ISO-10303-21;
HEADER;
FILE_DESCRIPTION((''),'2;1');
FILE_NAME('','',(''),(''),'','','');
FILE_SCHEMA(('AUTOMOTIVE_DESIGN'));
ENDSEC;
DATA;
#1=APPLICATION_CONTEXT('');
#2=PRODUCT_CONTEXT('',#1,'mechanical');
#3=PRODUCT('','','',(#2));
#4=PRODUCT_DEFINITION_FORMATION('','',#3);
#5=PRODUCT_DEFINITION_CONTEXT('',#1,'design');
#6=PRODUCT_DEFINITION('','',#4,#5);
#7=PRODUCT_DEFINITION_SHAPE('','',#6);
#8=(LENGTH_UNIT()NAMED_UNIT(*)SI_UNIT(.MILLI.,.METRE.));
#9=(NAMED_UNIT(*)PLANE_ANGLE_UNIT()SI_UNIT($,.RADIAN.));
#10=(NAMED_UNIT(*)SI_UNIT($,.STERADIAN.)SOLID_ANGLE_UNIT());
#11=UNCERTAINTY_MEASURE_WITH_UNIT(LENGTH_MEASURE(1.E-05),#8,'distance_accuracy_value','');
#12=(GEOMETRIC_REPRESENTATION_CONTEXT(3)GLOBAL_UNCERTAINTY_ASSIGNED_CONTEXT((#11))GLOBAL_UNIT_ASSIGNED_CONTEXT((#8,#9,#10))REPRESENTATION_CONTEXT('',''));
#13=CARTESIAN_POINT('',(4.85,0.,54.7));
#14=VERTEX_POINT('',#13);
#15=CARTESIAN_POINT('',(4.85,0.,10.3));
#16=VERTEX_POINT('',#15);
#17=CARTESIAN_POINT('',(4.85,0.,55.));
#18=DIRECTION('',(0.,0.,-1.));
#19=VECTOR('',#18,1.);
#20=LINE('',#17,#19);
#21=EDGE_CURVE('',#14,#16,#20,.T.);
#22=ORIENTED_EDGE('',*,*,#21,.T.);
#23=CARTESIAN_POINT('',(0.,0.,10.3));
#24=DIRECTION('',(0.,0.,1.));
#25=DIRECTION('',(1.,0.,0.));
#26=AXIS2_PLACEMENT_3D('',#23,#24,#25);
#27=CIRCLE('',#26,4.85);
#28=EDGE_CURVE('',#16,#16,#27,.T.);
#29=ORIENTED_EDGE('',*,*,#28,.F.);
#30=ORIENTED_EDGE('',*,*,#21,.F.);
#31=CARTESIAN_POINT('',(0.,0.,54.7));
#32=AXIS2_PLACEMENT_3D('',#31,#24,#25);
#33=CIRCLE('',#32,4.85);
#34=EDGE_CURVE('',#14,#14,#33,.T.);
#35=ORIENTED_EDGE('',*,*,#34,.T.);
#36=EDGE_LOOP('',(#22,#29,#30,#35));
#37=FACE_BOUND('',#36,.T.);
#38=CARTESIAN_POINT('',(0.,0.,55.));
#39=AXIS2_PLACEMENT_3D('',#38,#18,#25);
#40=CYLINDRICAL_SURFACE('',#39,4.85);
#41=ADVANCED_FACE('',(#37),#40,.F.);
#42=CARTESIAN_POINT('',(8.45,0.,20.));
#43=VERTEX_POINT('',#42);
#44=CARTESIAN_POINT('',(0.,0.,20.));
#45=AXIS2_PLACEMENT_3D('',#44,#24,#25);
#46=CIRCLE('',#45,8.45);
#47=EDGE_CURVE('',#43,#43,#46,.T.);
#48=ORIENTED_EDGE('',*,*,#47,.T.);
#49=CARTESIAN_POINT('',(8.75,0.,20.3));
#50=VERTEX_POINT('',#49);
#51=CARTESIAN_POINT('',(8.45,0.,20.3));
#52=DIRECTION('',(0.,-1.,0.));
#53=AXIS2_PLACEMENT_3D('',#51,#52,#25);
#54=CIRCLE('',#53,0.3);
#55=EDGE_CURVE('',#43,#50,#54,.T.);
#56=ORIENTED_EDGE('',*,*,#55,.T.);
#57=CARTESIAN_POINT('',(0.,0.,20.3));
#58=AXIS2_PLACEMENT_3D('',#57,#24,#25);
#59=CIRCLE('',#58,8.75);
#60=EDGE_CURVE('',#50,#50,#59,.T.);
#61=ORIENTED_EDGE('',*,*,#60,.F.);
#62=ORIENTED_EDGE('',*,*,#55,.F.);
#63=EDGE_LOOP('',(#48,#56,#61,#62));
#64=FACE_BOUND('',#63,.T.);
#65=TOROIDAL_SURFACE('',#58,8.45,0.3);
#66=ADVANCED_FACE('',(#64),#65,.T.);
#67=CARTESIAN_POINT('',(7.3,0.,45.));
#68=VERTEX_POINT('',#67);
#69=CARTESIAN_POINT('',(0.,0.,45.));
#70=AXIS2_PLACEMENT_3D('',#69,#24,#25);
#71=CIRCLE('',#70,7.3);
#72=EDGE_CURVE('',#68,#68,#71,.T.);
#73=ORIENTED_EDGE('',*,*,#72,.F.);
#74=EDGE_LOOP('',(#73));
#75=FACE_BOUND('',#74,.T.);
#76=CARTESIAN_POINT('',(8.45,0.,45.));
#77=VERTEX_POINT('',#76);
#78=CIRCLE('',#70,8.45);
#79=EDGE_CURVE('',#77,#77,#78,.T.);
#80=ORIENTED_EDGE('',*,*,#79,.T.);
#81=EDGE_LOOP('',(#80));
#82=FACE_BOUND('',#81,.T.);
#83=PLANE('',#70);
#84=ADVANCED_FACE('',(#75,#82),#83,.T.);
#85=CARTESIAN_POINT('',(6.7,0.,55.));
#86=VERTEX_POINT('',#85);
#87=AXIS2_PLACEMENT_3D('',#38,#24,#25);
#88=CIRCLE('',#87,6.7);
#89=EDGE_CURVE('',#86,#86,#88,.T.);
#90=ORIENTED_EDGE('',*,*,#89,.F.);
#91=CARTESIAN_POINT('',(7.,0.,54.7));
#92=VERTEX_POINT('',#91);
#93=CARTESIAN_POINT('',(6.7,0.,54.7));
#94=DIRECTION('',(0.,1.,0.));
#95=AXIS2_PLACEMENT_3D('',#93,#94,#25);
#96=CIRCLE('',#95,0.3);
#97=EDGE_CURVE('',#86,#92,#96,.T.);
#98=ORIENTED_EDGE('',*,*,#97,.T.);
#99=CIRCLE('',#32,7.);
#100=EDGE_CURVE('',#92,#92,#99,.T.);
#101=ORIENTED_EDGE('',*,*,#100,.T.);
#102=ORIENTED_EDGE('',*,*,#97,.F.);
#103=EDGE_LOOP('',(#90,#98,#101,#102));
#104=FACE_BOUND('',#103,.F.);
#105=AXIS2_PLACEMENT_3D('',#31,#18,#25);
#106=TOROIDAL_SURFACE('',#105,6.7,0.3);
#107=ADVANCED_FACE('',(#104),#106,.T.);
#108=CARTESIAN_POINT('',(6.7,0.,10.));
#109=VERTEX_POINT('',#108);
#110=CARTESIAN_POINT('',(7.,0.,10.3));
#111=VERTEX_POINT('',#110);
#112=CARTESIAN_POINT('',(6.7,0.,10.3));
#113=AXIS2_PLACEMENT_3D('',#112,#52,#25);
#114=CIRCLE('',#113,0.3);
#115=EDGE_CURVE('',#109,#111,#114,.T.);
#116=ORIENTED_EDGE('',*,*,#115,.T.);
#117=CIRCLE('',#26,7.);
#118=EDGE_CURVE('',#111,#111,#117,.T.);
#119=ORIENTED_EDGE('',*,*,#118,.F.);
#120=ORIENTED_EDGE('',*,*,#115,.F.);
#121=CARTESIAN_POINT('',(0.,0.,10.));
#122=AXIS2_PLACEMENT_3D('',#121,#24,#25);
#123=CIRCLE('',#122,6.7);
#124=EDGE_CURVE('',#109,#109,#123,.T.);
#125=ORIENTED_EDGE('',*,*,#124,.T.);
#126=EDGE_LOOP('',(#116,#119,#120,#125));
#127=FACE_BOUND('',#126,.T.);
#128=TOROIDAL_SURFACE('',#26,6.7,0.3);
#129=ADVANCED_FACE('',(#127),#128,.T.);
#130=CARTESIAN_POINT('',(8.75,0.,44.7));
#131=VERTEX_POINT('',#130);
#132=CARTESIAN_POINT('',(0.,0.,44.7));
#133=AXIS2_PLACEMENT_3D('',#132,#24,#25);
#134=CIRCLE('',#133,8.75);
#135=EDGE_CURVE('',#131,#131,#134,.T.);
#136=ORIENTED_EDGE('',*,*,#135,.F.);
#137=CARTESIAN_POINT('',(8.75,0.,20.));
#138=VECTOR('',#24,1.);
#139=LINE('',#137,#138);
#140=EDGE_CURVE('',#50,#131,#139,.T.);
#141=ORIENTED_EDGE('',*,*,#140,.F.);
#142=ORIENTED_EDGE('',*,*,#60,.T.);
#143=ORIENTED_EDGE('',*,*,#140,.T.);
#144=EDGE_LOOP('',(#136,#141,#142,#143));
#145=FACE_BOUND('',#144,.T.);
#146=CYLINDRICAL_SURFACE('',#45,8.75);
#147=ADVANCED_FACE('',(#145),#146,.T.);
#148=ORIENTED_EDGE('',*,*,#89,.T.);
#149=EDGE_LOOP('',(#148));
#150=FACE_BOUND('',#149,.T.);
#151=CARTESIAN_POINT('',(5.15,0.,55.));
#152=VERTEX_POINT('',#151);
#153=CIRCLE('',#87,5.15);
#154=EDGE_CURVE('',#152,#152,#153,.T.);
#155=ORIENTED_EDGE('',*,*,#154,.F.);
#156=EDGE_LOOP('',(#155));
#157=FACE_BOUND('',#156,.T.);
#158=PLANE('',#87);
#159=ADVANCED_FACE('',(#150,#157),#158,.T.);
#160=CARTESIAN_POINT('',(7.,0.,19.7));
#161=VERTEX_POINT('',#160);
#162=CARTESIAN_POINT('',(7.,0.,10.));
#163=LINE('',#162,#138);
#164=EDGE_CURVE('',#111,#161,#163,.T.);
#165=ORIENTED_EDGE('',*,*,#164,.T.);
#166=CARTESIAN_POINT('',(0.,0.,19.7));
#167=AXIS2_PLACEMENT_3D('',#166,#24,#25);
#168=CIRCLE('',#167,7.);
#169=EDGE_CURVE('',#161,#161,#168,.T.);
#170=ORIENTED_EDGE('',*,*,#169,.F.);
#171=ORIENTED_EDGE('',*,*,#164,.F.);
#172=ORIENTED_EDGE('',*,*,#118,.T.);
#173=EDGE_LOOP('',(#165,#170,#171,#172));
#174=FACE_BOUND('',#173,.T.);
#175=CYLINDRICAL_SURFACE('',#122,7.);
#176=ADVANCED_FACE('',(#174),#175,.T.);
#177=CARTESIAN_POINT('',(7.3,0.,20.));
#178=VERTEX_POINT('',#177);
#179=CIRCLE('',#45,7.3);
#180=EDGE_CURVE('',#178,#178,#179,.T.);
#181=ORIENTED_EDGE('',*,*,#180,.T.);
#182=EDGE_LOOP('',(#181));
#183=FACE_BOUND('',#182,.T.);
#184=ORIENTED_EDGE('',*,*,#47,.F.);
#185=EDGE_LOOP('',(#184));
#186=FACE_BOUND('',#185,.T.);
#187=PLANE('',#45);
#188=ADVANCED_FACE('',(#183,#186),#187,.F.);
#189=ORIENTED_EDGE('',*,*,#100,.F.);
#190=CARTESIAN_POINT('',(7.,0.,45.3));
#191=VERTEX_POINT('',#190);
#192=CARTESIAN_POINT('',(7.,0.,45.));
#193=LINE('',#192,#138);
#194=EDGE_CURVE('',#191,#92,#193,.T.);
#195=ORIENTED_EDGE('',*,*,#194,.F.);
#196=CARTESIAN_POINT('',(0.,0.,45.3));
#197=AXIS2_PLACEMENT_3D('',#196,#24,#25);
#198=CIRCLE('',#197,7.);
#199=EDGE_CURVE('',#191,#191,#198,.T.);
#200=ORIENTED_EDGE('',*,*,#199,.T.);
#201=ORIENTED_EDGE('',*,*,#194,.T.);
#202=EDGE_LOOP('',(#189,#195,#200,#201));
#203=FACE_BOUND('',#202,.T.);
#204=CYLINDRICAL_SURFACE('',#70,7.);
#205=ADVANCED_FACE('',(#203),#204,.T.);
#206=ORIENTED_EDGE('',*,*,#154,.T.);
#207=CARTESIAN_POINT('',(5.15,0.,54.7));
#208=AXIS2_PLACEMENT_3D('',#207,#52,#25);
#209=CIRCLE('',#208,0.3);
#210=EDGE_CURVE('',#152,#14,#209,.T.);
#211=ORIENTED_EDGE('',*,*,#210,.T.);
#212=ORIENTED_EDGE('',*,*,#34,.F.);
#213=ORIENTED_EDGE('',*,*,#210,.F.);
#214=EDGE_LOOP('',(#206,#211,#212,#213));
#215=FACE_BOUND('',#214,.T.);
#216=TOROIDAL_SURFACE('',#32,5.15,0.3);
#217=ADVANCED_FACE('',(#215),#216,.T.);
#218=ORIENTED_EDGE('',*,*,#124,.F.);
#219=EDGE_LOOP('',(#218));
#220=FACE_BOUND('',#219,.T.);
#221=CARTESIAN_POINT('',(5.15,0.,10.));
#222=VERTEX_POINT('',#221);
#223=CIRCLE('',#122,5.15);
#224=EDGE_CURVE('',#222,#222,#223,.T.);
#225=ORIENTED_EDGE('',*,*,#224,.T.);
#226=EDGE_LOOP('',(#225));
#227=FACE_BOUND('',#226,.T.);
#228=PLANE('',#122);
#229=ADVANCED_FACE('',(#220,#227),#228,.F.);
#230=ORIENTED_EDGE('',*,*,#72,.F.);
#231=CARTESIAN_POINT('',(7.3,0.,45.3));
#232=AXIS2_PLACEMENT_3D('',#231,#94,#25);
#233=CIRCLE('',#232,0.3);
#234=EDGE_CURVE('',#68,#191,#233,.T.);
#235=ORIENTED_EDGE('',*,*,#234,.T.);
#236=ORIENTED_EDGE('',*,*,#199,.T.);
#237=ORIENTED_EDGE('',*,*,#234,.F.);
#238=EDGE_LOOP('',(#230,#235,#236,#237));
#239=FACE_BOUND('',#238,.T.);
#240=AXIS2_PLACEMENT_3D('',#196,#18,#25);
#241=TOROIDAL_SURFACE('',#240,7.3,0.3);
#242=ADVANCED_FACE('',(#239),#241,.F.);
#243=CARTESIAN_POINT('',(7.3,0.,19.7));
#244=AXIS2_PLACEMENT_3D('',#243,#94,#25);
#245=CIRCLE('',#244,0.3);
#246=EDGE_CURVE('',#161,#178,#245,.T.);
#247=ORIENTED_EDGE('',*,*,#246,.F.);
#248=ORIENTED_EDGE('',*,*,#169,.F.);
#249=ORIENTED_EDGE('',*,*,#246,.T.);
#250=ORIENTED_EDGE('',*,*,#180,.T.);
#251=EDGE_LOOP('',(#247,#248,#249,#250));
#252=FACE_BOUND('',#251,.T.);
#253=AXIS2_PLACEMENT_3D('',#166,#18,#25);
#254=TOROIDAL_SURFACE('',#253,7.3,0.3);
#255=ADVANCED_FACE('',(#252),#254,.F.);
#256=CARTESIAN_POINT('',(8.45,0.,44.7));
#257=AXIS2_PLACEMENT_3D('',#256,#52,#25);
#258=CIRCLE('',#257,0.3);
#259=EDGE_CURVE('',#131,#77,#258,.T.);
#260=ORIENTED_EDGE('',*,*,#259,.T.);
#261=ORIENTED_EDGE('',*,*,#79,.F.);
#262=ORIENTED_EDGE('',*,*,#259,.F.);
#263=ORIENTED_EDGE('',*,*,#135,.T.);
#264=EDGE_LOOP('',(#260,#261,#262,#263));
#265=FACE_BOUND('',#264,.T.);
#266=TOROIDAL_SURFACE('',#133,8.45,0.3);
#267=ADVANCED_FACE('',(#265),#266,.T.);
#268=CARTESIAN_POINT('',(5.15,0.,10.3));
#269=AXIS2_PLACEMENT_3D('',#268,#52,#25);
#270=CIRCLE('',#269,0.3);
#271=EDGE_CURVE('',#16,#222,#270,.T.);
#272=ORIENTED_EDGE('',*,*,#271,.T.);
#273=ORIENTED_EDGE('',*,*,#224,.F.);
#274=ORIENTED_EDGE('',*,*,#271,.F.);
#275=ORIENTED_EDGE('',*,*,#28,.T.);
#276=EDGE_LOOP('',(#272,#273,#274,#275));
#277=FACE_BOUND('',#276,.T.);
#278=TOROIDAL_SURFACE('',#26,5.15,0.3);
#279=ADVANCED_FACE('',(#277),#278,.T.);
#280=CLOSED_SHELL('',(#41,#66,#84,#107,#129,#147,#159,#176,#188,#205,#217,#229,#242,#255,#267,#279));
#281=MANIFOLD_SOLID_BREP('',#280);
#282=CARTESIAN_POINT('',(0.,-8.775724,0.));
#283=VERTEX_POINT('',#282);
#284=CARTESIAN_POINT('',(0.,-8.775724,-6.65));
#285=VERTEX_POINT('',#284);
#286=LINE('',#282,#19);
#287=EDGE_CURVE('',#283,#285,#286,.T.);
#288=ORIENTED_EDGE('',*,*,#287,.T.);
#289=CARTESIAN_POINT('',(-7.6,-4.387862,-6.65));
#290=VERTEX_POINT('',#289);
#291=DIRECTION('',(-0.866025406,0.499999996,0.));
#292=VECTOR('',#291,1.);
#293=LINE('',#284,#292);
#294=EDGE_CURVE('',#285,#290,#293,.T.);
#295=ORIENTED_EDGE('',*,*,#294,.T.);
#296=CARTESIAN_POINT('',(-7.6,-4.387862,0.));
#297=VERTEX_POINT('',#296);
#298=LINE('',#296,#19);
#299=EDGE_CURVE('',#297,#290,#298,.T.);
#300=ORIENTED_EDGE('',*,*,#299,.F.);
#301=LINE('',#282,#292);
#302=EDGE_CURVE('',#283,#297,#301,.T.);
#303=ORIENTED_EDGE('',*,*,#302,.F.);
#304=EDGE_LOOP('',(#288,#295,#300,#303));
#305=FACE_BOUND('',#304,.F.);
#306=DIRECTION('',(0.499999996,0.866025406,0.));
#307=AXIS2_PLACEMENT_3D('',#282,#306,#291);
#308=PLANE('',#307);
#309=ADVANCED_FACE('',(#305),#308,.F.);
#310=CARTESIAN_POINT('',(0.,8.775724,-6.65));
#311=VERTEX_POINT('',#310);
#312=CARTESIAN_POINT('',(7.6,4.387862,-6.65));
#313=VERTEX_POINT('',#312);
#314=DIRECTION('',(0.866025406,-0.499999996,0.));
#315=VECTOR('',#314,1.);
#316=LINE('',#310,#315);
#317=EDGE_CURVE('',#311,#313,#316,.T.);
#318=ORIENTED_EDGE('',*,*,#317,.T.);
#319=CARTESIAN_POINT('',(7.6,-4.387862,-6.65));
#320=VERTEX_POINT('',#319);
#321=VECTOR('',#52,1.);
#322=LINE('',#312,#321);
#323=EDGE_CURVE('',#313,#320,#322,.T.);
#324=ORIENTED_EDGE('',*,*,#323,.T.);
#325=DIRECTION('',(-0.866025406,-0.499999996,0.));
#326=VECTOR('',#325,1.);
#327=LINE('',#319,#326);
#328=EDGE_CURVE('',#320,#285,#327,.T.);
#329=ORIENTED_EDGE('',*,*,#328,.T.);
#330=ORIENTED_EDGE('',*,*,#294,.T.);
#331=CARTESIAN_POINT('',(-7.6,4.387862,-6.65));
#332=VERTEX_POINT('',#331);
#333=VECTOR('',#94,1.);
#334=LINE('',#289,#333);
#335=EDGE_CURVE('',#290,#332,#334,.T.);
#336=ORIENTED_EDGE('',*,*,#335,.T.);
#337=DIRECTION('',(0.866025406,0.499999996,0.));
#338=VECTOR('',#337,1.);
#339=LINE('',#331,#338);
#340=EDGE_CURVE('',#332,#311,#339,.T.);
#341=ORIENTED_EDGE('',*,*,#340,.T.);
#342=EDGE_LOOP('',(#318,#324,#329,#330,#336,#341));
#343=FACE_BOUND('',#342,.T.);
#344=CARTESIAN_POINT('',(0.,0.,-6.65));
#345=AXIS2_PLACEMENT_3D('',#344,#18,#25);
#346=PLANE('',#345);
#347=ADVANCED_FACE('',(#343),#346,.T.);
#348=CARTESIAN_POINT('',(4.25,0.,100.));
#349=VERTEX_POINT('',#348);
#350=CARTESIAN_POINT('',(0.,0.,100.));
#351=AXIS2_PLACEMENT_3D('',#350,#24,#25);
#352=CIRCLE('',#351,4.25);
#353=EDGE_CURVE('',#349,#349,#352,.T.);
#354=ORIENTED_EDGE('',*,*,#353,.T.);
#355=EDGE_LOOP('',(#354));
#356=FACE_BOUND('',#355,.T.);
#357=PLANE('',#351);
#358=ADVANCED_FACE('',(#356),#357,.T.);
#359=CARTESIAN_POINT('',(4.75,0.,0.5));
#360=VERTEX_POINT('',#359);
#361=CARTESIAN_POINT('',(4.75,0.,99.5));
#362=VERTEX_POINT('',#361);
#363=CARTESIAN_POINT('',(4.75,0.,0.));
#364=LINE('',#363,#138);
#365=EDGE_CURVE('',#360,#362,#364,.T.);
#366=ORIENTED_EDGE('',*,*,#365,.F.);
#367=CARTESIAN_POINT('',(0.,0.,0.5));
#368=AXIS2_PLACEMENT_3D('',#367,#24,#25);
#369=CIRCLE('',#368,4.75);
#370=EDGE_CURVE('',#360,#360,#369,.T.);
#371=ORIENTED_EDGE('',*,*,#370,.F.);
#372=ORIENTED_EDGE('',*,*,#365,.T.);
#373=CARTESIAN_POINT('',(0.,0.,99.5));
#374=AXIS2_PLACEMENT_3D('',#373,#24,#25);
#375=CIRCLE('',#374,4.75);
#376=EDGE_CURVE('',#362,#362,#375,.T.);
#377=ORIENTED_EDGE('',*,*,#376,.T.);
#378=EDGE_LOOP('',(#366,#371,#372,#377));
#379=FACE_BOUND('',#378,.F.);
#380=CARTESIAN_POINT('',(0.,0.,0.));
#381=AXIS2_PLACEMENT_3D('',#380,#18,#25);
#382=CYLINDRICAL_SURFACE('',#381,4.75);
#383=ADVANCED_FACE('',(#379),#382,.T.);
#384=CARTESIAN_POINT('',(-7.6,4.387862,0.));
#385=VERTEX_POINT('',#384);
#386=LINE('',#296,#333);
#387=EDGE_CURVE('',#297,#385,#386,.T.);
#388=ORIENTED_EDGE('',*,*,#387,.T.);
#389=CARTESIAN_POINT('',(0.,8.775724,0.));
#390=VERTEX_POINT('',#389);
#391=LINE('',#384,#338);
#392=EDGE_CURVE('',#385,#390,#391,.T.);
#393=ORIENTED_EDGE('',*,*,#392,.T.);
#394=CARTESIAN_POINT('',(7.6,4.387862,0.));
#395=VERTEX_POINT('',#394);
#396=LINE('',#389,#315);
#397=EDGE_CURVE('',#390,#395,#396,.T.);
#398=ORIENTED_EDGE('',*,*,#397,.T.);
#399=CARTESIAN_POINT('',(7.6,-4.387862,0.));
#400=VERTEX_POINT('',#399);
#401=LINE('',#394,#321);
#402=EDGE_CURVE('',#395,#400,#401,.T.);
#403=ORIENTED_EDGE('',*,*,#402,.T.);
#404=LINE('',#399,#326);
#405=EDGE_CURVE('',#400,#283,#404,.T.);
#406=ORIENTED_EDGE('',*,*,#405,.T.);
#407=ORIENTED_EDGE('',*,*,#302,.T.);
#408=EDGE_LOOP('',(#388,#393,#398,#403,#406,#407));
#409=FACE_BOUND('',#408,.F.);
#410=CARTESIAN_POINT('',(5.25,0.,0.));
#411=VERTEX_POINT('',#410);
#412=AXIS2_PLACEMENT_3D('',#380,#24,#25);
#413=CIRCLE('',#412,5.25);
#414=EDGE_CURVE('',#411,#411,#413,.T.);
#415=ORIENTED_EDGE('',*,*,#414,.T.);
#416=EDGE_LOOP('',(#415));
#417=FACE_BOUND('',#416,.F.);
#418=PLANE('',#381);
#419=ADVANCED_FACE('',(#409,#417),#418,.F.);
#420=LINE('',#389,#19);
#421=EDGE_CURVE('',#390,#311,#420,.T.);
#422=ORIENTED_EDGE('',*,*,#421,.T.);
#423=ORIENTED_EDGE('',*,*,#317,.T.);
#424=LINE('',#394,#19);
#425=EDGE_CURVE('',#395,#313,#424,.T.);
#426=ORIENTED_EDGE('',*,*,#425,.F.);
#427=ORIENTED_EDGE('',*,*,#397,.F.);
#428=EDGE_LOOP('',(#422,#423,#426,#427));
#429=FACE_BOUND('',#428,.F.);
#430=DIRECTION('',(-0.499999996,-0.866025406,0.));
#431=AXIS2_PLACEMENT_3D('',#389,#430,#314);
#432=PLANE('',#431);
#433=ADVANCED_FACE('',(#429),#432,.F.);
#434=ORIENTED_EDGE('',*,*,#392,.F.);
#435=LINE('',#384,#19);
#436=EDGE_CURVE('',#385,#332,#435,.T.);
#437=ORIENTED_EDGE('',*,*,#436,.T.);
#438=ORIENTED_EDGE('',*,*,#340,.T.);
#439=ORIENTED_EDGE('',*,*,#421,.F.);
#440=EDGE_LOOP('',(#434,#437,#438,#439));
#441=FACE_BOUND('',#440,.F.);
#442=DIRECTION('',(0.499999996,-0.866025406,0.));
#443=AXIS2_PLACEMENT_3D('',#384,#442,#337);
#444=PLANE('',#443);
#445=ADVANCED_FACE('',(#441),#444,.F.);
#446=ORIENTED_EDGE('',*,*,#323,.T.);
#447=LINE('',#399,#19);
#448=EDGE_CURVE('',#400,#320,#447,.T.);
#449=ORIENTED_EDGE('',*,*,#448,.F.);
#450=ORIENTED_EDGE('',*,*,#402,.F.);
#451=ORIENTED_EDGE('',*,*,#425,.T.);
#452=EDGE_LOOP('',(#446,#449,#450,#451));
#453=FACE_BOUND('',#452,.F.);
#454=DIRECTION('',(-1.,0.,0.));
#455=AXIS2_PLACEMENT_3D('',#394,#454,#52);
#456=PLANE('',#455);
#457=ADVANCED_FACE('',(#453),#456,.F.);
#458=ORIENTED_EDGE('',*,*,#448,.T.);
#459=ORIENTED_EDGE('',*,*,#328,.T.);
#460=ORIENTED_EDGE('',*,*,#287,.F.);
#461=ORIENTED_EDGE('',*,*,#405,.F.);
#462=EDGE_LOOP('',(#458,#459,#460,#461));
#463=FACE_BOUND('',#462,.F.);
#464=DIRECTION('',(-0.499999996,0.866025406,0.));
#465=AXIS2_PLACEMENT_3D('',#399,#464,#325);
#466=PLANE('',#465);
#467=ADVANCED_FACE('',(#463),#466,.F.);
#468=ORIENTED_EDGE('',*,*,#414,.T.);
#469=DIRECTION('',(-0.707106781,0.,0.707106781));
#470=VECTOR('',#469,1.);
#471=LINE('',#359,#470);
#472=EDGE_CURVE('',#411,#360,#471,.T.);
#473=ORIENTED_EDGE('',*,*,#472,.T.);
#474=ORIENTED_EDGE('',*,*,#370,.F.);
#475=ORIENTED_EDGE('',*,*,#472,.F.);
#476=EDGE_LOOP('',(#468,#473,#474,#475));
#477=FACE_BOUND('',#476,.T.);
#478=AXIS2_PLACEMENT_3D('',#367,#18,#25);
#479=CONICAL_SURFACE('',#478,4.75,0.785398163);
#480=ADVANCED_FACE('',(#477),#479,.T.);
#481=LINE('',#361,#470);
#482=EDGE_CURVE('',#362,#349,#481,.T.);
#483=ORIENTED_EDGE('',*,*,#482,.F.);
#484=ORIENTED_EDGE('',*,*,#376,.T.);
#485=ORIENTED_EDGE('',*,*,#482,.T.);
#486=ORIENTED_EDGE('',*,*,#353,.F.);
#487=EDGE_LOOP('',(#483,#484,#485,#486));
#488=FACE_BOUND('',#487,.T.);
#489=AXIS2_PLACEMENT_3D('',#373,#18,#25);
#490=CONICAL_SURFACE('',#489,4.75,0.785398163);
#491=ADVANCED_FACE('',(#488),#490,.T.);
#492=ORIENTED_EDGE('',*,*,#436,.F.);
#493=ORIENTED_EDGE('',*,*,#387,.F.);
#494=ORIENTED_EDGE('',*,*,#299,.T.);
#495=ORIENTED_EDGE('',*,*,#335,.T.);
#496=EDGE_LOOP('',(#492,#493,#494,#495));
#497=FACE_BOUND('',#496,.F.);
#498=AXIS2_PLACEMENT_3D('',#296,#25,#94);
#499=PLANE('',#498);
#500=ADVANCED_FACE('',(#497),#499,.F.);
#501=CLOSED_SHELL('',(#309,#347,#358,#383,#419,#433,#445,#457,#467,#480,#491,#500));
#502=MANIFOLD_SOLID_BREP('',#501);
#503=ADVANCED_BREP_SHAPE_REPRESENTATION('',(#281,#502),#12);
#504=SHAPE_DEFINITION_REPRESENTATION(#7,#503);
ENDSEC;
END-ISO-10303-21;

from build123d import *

# Parameters (mm, degrees)
F0_R     = 4.75
F1_DEPTH = 100
F3_DEPTH = 6.65
F4_SIZE  = 0.5
F7_R     = 0.3


with BuildPart() as f1:
    # F0 (on Top) → F1 (new body)
    with BuildSketch(Plane.XY):
        Circle(F0_R)
    extrude(amount=F1_DEPTH)

    # F2 (on face) → F3 (join)
    with BuildSketch(Plane(origin=(0, 0, 0), x_dir=(1, 0, 0), z_dir=(0, 0, -1))):
        Polygon((7.6, -4.387862), (7.6, 4.387862), (0, 8.775724), (-7.6, 4.387862), (-7.6, -4.387862), (0, -8.775724), align=None)
    extrude(amount=F3_DEPTH)

    # F4
    f4_edges = [f1.edges().sort_by_distance(p)[0] for p in [
        (-4.75, 0, 100),
        (-4.75, 0, 0),
    ]]
    chamfer(f4_edges, length=F4_SIZE)


with BuildPart() as f6:
    # F5 (on Front) → F6 (revolve)
    with BuildSketch(Plane.XZ):
        Polygon((7, 55), (4.85, 55), (4.85, 10), (7, 10), (7, 20), (8.75, 20), (8.75, 45), (7, 45), align=None)
    revolve(axis=Axis((0, 0, 20.679142), (0, 0, 1)))

    # F7
    f7_edges = [f6.edges().sort_by_distance(p)[0] for p in [
        (-7, 0, 10),
        (-7, 0, 20),
        (-8.75, 0, 20),
        (-8.75, 0, 45),
        (-7, 0, 45),
        (-7, 0, 55),
        (-4.85, 0, 55),
        (-4.85, 0, 10),
    ]]
    fillet(f7_edges, radius=F7_R)


solid = Compound([f1.part, f6.part])
